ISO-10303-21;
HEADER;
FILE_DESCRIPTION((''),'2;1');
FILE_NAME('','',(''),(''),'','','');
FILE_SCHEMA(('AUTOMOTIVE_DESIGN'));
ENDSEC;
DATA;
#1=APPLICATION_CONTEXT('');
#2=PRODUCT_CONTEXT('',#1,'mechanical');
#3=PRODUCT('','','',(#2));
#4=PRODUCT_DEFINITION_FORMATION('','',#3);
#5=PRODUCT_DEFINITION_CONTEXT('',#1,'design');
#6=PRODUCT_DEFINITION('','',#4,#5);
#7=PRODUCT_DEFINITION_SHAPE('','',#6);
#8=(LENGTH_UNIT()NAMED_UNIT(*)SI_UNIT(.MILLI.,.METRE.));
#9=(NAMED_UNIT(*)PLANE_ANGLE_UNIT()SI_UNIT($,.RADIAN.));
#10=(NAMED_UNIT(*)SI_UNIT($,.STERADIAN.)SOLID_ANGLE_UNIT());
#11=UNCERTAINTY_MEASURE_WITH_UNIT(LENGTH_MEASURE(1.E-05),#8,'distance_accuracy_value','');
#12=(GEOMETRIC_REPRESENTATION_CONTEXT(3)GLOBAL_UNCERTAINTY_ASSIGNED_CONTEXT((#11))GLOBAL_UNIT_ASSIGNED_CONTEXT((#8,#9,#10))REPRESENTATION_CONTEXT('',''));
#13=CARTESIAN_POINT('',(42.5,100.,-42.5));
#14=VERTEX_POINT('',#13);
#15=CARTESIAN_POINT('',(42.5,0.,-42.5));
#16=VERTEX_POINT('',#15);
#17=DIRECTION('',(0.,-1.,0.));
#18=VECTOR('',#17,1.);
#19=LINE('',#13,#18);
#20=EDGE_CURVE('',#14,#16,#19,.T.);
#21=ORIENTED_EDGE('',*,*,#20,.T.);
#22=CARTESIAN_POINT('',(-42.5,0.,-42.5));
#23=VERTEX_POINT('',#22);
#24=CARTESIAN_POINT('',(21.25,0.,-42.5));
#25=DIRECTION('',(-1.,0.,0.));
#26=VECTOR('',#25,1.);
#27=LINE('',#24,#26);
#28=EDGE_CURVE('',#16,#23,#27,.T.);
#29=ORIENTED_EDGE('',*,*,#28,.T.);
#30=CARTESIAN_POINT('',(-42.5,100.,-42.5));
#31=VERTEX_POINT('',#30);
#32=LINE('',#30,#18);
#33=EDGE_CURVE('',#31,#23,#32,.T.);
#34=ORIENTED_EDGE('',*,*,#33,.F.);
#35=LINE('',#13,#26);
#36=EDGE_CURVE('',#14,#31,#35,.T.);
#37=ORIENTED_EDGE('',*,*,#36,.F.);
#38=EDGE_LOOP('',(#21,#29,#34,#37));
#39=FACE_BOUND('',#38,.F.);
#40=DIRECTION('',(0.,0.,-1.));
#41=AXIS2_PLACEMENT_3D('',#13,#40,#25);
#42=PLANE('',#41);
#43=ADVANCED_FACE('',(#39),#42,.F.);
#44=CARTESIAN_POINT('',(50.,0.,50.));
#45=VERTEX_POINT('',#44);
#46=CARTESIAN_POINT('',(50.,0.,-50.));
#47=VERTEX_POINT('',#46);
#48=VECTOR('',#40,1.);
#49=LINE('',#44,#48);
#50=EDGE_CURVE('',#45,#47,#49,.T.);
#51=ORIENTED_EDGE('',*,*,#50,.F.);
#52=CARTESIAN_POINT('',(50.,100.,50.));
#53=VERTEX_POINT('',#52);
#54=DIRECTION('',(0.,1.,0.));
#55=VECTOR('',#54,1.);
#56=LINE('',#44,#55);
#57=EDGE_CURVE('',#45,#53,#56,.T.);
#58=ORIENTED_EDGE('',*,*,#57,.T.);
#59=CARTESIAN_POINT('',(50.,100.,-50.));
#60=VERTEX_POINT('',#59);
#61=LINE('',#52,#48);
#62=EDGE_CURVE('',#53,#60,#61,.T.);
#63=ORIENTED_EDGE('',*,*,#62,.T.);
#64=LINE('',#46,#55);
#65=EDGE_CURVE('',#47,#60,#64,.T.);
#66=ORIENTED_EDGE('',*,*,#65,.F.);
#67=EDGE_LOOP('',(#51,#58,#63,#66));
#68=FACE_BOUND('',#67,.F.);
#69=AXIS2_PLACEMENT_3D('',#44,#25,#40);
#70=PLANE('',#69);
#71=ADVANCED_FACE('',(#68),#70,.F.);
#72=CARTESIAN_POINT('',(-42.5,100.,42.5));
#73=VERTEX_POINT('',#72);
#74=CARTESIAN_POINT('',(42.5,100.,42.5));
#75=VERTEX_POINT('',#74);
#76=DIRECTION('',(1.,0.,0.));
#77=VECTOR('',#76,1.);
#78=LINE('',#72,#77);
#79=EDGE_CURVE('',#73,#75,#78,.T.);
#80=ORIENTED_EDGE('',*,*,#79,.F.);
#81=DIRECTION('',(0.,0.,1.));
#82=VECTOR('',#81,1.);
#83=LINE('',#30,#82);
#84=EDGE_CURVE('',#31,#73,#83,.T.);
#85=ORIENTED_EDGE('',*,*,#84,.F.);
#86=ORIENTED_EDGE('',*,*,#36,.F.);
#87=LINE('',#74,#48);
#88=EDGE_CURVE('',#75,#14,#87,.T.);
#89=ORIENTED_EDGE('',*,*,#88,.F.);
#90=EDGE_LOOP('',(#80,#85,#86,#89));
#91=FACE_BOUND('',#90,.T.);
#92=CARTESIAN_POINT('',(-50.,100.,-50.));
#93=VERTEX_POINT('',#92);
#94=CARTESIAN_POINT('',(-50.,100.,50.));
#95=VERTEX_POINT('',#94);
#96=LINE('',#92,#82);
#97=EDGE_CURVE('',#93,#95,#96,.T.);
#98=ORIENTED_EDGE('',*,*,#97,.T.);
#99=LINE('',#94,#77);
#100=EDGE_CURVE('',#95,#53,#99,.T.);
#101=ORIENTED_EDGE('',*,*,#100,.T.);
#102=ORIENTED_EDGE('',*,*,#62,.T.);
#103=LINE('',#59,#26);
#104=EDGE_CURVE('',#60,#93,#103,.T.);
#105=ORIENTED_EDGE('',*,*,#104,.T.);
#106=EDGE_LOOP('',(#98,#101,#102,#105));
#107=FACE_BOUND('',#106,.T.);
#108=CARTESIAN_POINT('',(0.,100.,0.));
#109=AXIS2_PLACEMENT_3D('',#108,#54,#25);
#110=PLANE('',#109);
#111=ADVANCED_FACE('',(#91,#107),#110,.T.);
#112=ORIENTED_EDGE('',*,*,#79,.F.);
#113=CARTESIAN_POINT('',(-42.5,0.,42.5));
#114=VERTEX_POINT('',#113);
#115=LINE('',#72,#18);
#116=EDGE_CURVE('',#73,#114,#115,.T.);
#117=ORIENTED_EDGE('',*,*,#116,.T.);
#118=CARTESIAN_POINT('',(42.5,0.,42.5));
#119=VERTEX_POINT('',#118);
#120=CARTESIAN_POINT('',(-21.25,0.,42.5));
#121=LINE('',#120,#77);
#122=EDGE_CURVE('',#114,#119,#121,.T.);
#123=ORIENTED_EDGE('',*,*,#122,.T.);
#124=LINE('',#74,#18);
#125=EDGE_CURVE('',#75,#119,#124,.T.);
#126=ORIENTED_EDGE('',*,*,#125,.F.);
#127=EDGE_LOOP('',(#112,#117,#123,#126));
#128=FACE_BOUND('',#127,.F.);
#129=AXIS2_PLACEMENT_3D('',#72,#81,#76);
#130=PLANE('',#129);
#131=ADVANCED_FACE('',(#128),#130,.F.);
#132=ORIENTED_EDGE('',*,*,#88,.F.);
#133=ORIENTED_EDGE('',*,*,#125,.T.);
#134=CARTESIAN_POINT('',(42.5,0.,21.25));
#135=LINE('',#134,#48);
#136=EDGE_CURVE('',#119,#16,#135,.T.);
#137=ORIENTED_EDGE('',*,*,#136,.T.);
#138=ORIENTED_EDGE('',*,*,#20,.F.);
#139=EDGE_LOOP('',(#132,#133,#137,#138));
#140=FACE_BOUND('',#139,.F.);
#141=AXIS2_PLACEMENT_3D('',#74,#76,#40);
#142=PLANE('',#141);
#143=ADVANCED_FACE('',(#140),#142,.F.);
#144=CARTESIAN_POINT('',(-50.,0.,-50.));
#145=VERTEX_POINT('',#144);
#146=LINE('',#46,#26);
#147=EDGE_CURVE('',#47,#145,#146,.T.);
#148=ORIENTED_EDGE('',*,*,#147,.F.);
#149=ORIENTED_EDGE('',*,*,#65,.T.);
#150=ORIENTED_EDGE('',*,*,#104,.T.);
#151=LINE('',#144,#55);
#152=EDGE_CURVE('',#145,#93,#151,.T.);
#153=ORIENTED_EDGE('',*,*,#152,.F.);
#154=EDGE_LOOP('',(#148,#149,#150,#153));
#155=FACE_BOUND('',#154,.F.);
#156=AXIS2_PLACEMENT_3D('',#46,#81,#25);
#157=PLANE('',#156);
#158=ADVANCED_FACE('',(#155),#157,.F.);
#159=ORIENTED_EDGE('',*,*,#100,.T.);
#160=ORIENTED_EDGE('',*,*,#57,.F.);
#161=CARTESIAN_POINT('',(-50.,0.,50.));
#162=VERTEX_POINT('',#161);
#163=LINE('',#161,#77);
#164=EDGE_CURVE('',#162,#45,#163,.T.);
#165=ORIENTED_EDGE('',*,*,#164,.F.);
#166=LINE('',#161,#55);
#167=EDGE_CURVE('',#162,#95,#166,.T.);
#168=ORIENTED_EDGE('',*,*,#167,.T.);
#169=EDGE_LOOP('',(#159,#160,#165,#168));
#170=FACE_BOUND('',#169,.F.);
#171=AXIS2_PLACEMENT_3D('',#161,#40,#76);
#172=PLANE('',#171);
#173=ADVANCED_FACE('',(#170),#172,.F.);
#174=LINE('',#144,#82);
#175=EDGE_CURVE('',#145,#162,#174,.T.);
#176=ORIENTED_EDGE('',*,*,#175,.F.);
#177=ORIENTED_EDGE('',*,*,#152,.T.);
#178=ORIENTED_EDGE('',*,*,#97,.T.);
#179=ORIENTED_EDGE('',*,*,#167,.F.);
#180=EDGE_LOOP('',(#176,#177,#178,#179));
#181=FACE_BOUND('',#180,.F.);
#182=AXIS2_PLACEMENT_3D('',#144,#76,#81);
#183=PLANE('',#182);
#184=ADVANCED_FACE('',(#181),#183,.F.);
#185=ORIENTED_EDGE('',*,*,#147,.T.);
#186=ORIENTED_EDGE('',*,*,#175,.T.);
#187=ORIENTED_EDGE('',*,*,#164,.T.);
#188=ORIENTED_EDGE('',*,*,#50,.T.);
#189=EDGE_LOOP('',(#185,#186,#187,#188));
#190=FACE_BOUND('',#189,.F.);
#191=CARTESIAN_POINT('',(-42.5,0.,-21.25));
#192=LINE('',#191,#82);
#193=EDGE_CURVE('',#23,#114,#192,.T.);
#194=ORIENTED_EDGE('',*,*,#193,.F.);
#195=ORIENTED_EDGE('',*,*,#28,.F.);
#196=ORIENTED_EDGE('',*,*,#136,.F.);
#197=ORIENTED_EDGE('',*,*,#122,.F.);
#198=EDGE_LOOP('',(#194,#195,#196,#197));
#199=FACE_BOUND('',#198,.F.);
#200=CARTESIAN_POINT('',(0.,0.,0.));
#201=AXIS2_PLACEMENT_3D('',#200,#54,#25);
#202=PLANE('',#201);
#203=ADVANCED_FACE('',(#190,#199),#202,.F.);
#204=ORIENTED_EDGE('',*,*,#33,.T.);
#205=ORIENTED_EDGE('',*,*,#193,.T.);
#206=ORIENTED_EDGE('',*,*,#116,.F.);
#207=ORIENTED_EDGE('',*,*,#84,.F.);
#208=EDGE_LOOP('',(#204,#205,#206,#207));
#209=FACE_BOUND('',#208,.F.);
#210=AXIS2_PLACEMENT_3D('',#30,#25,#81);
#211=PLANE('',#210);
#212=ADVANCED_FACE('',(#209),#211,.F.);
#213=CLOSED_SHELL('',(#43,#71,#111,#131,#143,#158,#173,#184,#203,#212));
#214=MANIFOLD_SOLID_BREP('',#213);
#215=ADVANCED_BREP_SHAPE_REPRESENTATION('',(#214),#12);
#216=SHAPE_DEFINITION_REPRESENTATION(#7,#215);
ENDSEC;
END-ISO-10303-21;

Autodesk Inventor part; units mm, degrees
ref_plane "YZ Plane" through (0, 0, 0) normal (1, 0, 0) x (0, 1, 0)
ref_plane "XZ Plane" through (0, 0, 0) normal (0, 1, 0) x (-1, 0, 0)
ref_plane "XY Plane" through (0, 0, 0) normal (0, 0, 1) x (1, 0, 0)
sketch "Sketch1" plane through (0, 0, 0) normal (0, 1, 0) x (-1, 0, 0)
  line L0 (50, 50) -> (-50, 50)
  line L1 (-50, 50) -> (-50, -50)
  line L2 (-50, -50) -> (50, -50)
  line L3 (50, -50) -> (50, 50)
  line L4 (50, 50) -> (-50, -50) construction
  line L5 (-50, 50) -> (50, -50) construction
  point P0 (0, 0)
  dimension "d0" = 100
  dimension "d1" = 100
extrude "Extrusion1" add sketch "Sketch1" along normal blind 100
sketch "Sketch2" plane through (0, 100, 0) normal (0, 1, 0) x (1, 0, 0)
  line L0 (-42.5, -42.5) -> (42.5, -42.5)
  line L1 (42.5, -42.5) -> (42.5, 42.5)
  line L2 (42.5, 42.5) -> (-42.5, 42.5)
  line L3 (-42.5, 42.5) -> (-42.5, -42.5)
  line L4 (-42.5, -42.5) -> (42.5, 42.5) construction
  line L5 (42.5, -42.5) -> (-42.5, 42.5) construction
  point P0 (0, 0)
  dimension "d4" = 85
  dimension "d5" = 85
extrude "Extrusion2" cut sketch "Sketch2" against normal through all
properties part number "CoilV1"
